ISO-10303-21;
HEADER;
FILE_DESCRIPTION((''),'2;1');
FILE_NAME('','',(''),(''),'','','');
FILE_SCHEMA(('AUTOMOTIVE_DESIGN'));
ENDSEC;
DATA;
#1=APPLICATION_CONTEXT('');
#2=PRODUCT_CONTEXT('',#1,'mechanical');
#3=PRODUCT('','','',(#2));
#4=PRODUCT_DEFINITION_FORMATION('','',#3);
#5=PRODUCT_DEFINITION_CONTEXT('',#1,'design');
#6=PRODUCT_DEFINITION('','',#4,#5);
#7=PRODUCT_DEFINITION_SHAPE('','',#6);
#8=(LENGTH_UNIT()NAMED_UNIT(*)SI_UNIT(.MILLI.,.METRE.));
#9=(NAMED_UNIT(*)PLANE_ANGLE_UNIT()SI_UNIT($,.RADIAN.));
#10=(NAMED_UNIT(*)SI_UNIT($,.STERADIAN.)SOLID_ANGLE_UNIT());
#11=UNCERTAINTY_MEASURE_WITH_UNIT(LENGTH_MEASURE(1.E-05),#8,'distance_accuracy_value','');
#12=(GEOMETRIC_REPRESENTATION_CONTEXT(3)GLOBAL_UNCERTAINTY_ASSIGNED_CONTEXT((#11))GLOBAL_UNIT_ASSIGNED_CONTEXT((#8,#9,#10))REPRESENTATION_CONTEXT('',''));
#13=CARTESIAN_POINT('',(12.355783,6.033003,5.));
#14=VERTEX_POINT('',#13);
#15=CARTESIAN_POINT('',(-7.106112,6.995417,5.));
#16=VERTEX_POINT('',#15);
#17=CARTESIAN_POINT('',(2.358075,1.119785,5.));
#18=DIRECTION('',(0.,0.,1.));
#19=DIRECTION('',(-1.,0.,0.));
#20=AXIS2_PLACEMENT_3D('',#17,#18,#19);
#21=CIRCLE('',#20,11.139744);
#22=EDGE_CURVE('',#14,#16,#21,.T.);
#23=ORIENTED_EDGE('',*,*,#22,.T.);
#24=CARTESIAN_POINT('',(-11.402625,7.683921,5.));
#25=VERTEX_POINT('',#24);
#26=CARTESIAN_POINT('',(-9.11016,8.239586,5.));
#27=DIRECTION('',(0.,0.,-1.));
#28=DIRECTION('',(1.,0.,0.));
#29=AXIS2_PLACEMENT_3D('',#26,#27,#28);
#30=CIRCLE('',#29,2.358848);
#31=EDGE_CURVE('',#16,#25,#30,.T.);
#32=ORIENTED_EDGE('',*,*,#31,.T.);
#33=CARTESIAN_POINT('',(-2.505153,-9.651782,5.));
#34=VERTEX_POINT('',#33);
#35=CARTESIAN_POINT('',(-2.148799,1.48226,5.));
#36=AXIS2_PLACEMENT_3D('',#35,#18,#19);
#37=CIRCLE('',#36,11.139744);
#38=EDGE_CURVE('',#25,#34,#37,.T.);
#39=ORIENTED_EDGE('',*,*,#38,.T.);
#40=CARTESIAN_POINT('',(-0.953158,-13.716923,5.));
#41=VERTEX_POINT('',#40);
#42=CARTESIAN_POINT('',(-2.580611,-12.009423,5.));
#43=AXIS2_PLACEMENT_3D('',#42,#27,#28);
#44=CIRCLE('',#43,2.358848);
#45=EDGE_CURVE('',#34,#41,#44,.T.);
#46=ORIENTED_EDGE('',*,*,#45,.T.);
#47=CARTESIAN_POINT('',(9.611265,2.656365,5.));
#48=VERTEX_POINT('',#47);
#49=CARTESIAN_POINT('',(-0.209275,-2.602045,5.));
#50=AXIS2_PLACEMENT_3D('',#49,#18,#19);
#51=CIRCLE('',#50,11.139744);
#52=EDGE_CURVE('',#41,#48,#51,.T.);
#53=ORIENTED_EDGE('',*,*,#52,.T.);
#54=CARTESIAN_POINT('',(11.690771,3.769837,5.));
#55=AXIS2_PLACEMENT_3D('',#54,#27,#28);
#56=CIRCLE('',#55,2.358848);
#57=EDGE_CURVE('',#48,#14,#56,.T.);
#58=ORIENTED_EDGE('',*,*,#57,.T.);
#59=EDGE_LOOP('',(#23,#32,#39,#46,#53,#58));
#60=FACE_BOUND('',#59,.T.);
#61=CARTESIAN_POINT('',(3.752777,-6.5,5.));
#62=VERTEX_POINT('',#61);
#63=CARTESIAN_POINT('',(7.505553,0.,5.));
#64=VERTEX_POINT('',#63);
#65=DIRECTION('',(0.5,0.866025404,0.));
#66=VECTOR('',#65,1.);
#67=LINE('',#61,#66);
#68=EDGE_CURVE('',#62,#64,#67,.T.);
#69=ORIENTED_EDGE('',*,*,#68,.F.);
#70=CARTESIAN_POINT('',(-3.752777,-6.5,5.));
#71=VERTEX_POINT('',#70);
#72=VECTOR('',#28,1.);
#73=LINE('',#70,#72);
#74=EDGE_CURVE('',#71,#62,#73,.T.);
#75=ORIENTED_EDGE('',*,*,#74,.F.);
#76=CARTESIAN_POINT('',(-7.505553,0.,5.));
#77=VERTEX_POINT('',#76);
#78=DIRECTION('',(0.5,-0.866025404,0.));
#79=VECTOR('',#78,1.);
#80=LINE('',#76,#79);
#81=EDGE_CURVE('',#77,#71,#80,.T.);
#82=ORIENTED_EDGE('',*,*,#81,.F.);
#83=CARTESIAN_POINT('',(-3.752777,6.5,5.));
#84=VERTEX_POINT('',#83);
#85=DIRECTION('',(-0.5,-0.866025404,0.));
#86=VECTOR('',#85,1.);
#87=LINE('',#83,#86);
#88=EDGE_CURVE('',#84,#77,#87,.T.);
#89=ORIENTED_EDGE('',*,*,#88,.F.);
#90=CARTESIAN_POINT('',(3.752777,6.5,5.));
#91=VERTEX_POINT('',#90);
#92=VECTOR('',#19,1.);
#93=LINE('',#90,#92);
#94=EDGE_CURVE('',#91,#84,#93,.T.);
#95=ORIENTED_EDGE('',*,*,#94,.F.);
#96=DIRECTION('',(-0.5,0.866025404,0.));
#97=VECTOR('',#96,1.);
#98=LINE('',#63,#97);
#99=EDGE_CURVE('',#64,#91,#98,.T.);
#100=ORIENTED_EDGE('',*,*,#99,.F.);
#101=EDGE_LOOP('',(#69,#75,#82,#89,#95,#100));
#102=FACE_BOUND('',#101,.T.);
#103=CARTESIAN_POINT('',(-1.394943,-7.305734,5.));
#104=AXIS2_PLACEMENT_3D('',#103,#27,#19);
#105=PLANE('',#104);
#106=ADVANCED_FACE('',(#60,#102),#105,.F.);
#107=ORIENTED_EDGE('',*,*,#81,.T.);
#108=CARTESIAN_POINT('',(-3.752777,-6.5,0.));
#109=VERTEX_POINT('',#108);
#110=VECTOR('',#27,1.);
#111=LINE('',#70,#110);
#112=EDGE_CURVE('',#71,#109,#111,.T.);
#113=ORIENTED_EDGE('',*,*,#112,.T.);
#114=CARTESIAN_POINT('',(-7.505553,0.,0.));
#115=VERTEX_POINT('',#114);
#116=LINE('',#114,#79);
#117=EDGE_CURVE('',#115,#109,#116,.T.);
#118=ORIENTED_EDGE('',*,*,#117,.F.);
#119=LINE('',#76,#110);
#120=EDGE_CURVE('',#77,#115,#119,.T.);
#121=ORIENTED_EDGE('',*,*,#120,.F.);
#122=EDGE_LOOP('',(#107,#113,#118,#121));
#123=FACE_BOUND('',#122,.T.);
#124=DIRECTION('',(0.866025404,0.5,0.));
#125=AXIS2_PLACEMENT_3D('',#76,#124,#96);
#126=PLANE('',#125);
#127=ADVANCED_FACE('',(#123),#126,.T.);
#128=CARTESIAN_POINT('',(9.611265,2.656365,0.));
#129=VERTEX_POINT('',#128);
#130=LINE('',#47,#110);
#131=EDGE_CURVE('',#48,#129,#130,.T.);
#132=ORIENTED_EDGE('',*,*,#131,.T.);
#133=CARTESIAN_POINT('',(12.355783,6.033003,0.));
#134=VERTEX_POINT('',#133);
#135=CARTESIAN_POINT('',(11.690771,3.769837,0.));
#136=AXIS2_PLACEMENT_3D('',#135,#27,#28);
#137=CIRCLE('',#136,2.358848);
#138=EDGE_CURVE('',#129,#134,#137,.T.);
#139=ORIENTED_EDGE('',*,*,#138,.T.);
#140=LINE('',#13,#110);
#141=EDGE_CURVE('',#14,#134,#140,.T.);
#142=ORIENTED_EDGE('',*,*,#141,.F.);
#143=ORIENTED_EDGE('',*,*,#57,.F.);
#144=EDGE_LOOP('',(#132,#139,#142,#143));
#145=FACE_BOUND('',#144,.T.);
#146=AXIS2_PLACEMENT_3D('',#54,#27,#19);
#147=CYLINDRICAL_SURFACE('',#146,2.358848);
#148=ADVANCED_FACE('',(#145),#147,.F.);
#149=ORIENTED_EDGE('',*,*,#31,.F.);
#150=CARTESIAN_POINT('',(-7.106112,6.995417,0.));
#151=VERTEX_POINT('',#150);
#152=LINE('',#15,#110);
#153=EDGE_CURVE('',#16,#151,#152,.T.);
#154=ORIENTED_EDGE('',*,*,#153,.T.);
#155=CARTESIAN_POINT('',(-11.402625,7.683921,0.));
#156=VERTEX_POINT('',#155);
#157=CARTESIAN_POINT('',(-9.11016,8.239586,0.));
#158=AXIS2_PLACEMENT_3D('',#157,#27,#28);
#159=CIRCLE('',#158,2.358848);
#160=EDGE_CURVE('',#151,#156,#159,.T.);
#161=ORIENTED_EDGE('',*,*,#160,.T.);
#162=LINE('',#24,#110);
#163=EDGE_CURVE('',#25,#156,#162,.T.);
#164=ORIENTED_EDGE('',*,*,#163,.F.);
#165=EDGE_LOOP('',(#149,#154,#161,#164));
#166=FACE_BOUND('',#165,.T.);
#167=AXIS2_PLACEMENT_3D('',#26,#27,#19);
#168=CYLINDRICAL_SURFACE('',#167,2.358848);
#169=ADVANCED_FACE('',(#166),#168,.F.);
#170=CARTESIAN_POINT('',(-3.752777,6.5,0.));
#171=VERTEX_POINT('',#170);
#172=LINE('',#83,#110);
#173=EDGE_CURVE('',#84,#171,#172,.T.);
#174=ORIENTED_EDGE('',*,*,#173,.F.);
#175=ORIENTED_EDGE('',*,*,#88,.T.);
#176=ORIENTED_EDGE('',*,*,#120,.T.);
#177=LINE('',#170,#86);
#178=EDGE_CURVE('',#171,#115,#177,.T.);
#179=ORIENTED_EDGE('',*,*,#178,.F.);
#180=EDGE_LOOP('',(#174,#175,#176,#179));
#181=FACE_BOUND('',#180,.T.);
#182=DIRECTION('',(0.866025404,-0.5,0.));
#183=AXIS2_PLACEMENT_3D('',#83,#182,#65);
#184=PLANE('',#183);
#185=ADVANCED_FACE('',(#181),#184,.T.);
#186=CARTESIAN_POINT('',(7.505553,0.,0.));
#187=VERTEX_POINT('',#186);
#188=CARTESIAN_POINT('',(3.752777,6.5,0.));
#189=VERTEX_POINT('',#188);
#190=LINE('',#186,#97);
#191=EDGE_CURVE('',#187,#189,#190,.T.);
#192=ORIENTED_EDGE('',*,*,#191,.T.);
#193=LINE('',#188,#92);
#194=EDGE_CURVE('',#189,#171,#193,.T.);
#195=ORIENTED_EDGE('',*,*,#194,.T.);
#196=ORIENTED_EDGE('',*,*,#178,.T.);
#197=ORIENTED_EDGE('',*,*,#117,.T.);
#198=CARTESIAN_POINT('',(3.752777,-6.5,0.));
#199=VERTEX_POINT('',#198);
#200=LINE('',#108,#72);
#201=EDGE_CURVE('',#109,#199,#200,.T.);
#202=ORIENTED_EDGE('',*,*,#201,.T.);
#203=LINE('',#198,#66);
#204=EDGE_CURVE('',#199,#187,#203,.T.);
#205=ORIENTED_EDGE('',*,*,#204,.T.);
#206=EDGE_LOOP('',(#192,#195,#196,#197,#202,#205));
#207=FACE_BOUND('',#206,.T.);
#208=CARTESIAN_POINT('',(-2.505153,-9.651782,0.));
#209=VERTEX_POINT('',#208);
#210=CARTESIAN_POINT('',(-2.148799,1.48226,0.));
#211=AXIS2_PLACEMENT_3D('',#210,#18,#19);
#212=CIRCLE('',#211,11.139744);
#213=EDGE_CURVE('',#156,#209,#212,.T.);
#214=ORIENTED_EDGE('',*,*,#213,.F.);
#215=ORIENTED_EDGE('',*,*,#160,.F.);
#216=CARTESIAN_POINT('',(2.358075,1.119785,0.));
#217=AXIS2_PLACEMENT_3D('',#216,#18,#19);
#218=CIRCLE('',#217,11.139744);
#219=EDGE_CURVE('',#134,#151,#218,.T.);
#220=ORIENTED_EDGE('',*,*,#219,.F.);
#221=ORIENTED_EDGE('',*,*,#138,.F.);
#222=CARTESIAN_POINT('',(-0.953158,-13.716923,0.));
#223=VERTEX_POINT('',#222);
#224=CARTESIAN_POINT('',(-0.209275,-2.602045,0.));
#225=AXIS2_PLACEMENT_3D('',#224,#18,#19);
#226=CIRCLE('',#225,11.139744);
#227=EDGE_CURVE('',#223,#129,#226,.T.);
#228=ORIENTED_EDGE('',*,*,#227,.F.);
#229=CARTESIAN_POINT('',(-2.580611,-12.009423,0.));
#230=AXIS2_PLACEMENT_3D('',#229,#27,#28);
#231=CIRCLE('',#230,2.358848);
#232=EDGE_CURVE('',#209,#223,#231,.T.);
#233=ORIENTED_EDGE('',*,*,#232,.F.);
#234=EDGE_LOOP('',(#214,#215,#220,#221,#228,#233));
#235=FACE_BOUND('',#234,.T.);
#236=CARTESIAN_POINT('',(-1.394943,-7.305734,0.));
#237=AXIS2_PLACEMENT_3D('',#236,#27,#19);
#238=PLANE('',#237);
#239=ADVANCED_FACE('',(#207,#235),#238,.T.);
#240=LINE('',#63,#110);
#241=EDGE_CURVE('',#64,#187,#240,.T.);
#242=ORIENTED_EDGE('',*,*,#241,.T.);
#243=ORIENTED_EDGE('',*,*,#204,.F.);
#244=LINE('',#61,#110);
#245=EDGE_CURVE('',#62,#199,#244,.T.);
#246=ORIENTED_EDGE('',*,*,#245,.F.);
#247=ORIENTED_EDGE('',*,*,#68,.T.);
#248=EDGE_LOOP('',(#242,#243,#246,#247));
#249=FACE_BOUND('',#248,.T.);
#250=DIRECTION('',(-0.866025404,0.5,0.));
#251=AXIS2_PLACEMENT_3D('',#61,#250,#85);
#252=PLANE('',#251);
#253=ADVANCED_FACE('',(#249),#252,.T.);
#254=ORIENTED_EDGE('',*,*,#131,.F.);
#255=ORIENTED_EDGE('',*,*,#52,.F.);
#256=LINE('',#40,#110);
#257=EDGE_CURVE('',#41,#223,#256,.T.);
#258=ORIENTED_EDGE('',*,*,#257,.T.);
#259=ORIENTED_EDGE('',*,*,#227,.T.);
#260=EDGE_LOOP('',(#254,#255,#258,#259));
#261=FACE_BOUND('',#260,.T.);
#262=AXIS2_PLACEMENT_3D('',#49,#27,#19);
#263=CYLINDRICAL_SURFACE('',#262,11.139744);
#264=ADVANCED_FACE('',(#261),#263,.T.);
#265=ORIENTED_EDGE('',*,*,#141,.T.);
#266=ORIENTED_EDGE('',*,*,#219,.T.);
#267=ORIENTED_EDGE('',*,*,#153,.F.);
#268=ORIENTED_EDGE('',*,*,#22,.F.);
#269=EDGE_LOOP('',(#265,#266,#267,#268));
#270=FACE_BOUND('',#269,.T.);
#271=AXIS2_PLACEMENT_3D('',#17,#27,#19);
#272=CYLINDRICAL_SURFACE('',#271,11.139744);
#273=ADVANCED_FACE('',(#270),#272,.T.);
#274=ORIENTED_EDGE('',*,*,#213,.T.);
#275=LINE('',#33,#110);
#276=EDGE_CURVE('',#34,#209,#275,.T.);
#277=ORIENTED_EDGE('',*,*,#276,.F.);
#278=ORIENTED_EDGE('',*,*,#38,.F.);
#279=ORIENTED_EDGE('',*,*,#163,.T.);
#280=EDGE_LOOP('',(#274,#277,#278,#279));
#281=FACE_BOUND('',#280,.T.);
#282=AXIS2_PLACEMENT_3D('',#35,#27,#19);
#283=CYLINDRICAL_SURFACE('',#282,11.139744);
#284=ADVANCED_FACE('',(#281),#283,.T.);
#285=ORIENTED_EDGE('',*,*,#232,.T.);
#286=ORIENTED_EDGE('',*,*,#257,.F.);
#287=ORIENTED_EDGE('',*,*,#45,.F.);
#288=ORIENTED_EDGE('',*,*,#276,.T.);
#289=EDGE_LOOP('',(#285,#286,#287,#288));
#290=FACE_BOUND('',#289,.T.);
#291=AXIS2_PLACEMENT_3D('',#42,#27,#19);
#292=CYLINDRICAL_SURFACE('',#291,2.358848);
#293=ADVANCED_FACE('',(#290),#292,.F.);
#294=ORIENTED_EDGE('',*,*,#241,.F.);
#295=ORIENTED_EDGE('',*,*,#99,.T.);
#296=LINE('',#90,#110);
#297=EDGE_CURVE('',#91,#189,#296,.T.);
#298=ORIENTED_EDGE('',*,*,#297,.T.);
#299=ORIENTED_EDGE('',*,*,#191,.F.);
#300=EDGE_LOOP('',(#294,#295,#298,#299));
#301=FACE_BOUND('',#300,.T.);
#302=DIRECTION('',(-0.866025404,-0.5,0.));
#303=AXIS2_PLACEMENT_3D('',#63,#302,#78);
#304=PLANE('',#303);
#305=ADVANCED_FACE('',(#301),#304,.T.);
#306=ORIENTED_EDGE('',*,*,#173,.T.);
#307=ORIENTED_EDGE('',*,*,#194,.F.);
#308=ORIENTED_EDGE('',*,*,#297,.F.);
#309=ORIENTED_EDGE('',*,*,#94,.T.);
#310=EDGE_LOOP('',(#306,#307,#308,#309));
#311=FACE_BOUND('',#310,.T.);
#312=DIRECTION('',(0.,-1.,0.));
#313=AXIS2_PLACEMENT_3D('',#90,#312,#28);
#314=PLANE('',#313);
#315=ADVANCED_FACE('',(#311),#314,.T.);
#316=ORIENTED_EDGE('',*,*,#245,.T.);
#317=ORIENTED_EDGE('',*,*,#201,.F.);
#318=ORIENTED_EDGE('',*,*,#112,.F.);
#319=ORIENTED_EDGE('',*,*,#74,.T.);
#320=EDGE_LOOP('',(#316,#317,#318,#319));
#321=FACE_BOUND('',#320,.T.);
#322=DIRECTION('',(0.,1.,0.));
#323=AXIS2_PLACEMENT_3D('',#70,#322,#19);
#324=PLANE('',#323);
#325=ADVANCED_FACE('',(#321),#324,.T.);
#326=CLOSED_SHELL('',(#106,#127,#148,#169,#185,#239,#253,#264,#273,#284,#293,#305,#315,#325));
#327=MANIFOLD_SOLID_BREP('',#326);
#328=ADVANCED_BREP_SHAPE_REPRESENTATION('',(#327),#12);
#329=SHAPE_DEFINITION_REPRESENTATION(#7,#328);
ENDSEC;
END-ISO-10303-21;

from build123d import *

# Parameters (mm, degrees)
BOSS_EXTRUDE1_DEPTH = 5


with BuildPart() as part:
    # Sketch1 → Boss-Extrude1 (new body)
    with BuildSketch(Plane.XY):
        with BuildLine():
            ThreePointArc((-7.106112246, 6.995417074), (2.908276026, 12.245932527), (12.355783111, 6.033002876))
            ThreePointArc((12.355783111, 6.033002876), (9.860301204, 5.257635244), (9.611265019, 2.65636519))
            ThreePointArc((9.611265019, 2.65636519), (9.151150649, -8.641607183), (-0.953157804, -13.716923496))
            ThreePointArc((-0.953157804, -13.716923496), (-0.376904917, -11.168088953), (-2.505152773, -9.651782264))
            ThreePointArc((-2.505152773, -9.651782264), (-12.059426674, -3.604325344), (-11.402625308, 7.68392062))
            ThreePointArc((-11.402625308, 7.68392062), (-9.483396287, 5.910453709), (-7.106112246, 6.995417074))
        make_face()
        Polygon((7.505553499, 0), (3.75277675, 6.5), (-3.75277675, 6.5), (-7.505553499, 0), (-3.75277675, -6.5), (3.75277675, -6.5), align=None, mode=Mode.SUBTRACT)
    extrude(amount=BOSS_EXTRUDE1_DEPTH)


solid = part.part
